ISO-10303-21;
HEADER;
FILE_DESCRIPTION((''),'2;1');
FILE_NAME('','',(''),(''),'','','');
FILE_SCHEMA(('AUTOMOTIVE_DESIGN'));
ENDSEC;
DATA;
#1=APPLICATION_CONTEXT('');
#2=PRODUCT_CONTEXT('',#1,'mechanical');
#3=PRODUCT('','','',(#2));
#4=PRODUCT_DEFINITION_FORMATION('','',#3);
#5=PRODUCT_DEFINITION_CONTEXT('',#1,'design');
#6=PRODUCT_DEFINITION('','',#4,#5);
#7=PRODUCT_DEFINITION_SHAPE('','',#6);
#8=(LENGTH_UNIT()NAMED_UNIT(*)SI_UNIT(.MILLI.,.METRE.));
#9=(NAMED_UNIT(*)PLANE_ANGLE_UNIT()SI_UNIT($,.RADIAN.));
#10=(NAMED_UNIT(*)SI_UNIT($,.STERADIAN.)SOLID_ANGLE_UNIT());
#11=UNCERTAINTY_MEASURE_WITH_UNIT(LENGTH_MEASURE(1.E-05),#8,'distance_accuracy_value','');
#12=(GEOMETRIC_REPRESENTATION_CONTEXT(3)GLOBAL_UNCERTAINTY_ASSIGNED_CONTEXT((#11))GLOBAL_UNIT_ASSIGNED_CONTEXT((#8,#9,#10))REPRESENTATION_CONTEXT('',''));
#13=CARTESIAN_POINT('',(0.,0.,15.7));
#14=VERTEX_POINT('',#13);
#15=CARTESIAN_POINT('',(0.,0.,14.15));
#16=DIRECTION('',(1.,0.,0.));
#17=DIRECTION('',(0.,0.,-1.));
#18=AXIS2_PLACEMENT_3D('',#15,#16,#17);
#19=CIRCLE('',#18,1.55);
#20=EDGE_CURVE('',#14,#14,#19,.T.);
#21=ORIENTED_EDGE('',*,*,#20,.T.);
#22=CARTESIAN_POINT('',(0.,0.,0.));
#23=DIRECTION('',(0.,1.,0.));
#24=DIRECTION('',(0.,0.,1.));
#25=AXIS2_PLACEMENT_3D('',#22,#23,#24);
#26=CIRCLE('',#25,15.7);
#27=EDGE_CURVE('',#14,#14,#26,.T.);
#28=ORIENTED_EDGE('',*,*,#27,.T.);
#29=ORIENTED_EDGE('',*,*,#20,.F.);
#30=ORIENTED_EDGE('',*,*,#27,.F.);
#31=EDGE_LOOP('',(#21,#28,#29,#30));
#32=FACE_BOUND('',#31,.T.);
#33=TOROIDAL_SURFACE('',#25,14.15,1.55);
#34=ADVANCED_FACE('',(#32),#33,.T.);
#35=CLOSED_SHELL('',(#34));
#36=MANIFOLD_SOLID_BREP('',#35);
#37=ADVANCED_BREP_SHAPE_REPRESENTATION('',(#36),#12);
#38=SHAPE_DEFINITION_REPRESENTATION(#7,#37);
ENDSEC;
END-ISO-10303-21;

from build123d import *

# Parameters (mm, degrees)
SWEEP1_PROFILE_R = 1.55


with BuildPart() as part:
    # Sweep1: sweep along a path in Sketch1
    with BuildLine(Plane(origin=(0, 0, 0), x_dir=(1, 0, 0), z_dir=(0, 1, 0))) as sweep1_path:
        CenterArc((0, 0), 14.15, 0, 360)
    # Sweep1 profile (on start of the path) → Sweep1 (sweep)
    with BuildSketch(Plane(origin=(14.15, 0, 0), x_dir=(-1, 0, 0), z_dir=(0, 0, -1))):
        Circle(SWEEP1_PROFILE_R)
    sweep(path=sweep1_path.line)


solid = part.part
